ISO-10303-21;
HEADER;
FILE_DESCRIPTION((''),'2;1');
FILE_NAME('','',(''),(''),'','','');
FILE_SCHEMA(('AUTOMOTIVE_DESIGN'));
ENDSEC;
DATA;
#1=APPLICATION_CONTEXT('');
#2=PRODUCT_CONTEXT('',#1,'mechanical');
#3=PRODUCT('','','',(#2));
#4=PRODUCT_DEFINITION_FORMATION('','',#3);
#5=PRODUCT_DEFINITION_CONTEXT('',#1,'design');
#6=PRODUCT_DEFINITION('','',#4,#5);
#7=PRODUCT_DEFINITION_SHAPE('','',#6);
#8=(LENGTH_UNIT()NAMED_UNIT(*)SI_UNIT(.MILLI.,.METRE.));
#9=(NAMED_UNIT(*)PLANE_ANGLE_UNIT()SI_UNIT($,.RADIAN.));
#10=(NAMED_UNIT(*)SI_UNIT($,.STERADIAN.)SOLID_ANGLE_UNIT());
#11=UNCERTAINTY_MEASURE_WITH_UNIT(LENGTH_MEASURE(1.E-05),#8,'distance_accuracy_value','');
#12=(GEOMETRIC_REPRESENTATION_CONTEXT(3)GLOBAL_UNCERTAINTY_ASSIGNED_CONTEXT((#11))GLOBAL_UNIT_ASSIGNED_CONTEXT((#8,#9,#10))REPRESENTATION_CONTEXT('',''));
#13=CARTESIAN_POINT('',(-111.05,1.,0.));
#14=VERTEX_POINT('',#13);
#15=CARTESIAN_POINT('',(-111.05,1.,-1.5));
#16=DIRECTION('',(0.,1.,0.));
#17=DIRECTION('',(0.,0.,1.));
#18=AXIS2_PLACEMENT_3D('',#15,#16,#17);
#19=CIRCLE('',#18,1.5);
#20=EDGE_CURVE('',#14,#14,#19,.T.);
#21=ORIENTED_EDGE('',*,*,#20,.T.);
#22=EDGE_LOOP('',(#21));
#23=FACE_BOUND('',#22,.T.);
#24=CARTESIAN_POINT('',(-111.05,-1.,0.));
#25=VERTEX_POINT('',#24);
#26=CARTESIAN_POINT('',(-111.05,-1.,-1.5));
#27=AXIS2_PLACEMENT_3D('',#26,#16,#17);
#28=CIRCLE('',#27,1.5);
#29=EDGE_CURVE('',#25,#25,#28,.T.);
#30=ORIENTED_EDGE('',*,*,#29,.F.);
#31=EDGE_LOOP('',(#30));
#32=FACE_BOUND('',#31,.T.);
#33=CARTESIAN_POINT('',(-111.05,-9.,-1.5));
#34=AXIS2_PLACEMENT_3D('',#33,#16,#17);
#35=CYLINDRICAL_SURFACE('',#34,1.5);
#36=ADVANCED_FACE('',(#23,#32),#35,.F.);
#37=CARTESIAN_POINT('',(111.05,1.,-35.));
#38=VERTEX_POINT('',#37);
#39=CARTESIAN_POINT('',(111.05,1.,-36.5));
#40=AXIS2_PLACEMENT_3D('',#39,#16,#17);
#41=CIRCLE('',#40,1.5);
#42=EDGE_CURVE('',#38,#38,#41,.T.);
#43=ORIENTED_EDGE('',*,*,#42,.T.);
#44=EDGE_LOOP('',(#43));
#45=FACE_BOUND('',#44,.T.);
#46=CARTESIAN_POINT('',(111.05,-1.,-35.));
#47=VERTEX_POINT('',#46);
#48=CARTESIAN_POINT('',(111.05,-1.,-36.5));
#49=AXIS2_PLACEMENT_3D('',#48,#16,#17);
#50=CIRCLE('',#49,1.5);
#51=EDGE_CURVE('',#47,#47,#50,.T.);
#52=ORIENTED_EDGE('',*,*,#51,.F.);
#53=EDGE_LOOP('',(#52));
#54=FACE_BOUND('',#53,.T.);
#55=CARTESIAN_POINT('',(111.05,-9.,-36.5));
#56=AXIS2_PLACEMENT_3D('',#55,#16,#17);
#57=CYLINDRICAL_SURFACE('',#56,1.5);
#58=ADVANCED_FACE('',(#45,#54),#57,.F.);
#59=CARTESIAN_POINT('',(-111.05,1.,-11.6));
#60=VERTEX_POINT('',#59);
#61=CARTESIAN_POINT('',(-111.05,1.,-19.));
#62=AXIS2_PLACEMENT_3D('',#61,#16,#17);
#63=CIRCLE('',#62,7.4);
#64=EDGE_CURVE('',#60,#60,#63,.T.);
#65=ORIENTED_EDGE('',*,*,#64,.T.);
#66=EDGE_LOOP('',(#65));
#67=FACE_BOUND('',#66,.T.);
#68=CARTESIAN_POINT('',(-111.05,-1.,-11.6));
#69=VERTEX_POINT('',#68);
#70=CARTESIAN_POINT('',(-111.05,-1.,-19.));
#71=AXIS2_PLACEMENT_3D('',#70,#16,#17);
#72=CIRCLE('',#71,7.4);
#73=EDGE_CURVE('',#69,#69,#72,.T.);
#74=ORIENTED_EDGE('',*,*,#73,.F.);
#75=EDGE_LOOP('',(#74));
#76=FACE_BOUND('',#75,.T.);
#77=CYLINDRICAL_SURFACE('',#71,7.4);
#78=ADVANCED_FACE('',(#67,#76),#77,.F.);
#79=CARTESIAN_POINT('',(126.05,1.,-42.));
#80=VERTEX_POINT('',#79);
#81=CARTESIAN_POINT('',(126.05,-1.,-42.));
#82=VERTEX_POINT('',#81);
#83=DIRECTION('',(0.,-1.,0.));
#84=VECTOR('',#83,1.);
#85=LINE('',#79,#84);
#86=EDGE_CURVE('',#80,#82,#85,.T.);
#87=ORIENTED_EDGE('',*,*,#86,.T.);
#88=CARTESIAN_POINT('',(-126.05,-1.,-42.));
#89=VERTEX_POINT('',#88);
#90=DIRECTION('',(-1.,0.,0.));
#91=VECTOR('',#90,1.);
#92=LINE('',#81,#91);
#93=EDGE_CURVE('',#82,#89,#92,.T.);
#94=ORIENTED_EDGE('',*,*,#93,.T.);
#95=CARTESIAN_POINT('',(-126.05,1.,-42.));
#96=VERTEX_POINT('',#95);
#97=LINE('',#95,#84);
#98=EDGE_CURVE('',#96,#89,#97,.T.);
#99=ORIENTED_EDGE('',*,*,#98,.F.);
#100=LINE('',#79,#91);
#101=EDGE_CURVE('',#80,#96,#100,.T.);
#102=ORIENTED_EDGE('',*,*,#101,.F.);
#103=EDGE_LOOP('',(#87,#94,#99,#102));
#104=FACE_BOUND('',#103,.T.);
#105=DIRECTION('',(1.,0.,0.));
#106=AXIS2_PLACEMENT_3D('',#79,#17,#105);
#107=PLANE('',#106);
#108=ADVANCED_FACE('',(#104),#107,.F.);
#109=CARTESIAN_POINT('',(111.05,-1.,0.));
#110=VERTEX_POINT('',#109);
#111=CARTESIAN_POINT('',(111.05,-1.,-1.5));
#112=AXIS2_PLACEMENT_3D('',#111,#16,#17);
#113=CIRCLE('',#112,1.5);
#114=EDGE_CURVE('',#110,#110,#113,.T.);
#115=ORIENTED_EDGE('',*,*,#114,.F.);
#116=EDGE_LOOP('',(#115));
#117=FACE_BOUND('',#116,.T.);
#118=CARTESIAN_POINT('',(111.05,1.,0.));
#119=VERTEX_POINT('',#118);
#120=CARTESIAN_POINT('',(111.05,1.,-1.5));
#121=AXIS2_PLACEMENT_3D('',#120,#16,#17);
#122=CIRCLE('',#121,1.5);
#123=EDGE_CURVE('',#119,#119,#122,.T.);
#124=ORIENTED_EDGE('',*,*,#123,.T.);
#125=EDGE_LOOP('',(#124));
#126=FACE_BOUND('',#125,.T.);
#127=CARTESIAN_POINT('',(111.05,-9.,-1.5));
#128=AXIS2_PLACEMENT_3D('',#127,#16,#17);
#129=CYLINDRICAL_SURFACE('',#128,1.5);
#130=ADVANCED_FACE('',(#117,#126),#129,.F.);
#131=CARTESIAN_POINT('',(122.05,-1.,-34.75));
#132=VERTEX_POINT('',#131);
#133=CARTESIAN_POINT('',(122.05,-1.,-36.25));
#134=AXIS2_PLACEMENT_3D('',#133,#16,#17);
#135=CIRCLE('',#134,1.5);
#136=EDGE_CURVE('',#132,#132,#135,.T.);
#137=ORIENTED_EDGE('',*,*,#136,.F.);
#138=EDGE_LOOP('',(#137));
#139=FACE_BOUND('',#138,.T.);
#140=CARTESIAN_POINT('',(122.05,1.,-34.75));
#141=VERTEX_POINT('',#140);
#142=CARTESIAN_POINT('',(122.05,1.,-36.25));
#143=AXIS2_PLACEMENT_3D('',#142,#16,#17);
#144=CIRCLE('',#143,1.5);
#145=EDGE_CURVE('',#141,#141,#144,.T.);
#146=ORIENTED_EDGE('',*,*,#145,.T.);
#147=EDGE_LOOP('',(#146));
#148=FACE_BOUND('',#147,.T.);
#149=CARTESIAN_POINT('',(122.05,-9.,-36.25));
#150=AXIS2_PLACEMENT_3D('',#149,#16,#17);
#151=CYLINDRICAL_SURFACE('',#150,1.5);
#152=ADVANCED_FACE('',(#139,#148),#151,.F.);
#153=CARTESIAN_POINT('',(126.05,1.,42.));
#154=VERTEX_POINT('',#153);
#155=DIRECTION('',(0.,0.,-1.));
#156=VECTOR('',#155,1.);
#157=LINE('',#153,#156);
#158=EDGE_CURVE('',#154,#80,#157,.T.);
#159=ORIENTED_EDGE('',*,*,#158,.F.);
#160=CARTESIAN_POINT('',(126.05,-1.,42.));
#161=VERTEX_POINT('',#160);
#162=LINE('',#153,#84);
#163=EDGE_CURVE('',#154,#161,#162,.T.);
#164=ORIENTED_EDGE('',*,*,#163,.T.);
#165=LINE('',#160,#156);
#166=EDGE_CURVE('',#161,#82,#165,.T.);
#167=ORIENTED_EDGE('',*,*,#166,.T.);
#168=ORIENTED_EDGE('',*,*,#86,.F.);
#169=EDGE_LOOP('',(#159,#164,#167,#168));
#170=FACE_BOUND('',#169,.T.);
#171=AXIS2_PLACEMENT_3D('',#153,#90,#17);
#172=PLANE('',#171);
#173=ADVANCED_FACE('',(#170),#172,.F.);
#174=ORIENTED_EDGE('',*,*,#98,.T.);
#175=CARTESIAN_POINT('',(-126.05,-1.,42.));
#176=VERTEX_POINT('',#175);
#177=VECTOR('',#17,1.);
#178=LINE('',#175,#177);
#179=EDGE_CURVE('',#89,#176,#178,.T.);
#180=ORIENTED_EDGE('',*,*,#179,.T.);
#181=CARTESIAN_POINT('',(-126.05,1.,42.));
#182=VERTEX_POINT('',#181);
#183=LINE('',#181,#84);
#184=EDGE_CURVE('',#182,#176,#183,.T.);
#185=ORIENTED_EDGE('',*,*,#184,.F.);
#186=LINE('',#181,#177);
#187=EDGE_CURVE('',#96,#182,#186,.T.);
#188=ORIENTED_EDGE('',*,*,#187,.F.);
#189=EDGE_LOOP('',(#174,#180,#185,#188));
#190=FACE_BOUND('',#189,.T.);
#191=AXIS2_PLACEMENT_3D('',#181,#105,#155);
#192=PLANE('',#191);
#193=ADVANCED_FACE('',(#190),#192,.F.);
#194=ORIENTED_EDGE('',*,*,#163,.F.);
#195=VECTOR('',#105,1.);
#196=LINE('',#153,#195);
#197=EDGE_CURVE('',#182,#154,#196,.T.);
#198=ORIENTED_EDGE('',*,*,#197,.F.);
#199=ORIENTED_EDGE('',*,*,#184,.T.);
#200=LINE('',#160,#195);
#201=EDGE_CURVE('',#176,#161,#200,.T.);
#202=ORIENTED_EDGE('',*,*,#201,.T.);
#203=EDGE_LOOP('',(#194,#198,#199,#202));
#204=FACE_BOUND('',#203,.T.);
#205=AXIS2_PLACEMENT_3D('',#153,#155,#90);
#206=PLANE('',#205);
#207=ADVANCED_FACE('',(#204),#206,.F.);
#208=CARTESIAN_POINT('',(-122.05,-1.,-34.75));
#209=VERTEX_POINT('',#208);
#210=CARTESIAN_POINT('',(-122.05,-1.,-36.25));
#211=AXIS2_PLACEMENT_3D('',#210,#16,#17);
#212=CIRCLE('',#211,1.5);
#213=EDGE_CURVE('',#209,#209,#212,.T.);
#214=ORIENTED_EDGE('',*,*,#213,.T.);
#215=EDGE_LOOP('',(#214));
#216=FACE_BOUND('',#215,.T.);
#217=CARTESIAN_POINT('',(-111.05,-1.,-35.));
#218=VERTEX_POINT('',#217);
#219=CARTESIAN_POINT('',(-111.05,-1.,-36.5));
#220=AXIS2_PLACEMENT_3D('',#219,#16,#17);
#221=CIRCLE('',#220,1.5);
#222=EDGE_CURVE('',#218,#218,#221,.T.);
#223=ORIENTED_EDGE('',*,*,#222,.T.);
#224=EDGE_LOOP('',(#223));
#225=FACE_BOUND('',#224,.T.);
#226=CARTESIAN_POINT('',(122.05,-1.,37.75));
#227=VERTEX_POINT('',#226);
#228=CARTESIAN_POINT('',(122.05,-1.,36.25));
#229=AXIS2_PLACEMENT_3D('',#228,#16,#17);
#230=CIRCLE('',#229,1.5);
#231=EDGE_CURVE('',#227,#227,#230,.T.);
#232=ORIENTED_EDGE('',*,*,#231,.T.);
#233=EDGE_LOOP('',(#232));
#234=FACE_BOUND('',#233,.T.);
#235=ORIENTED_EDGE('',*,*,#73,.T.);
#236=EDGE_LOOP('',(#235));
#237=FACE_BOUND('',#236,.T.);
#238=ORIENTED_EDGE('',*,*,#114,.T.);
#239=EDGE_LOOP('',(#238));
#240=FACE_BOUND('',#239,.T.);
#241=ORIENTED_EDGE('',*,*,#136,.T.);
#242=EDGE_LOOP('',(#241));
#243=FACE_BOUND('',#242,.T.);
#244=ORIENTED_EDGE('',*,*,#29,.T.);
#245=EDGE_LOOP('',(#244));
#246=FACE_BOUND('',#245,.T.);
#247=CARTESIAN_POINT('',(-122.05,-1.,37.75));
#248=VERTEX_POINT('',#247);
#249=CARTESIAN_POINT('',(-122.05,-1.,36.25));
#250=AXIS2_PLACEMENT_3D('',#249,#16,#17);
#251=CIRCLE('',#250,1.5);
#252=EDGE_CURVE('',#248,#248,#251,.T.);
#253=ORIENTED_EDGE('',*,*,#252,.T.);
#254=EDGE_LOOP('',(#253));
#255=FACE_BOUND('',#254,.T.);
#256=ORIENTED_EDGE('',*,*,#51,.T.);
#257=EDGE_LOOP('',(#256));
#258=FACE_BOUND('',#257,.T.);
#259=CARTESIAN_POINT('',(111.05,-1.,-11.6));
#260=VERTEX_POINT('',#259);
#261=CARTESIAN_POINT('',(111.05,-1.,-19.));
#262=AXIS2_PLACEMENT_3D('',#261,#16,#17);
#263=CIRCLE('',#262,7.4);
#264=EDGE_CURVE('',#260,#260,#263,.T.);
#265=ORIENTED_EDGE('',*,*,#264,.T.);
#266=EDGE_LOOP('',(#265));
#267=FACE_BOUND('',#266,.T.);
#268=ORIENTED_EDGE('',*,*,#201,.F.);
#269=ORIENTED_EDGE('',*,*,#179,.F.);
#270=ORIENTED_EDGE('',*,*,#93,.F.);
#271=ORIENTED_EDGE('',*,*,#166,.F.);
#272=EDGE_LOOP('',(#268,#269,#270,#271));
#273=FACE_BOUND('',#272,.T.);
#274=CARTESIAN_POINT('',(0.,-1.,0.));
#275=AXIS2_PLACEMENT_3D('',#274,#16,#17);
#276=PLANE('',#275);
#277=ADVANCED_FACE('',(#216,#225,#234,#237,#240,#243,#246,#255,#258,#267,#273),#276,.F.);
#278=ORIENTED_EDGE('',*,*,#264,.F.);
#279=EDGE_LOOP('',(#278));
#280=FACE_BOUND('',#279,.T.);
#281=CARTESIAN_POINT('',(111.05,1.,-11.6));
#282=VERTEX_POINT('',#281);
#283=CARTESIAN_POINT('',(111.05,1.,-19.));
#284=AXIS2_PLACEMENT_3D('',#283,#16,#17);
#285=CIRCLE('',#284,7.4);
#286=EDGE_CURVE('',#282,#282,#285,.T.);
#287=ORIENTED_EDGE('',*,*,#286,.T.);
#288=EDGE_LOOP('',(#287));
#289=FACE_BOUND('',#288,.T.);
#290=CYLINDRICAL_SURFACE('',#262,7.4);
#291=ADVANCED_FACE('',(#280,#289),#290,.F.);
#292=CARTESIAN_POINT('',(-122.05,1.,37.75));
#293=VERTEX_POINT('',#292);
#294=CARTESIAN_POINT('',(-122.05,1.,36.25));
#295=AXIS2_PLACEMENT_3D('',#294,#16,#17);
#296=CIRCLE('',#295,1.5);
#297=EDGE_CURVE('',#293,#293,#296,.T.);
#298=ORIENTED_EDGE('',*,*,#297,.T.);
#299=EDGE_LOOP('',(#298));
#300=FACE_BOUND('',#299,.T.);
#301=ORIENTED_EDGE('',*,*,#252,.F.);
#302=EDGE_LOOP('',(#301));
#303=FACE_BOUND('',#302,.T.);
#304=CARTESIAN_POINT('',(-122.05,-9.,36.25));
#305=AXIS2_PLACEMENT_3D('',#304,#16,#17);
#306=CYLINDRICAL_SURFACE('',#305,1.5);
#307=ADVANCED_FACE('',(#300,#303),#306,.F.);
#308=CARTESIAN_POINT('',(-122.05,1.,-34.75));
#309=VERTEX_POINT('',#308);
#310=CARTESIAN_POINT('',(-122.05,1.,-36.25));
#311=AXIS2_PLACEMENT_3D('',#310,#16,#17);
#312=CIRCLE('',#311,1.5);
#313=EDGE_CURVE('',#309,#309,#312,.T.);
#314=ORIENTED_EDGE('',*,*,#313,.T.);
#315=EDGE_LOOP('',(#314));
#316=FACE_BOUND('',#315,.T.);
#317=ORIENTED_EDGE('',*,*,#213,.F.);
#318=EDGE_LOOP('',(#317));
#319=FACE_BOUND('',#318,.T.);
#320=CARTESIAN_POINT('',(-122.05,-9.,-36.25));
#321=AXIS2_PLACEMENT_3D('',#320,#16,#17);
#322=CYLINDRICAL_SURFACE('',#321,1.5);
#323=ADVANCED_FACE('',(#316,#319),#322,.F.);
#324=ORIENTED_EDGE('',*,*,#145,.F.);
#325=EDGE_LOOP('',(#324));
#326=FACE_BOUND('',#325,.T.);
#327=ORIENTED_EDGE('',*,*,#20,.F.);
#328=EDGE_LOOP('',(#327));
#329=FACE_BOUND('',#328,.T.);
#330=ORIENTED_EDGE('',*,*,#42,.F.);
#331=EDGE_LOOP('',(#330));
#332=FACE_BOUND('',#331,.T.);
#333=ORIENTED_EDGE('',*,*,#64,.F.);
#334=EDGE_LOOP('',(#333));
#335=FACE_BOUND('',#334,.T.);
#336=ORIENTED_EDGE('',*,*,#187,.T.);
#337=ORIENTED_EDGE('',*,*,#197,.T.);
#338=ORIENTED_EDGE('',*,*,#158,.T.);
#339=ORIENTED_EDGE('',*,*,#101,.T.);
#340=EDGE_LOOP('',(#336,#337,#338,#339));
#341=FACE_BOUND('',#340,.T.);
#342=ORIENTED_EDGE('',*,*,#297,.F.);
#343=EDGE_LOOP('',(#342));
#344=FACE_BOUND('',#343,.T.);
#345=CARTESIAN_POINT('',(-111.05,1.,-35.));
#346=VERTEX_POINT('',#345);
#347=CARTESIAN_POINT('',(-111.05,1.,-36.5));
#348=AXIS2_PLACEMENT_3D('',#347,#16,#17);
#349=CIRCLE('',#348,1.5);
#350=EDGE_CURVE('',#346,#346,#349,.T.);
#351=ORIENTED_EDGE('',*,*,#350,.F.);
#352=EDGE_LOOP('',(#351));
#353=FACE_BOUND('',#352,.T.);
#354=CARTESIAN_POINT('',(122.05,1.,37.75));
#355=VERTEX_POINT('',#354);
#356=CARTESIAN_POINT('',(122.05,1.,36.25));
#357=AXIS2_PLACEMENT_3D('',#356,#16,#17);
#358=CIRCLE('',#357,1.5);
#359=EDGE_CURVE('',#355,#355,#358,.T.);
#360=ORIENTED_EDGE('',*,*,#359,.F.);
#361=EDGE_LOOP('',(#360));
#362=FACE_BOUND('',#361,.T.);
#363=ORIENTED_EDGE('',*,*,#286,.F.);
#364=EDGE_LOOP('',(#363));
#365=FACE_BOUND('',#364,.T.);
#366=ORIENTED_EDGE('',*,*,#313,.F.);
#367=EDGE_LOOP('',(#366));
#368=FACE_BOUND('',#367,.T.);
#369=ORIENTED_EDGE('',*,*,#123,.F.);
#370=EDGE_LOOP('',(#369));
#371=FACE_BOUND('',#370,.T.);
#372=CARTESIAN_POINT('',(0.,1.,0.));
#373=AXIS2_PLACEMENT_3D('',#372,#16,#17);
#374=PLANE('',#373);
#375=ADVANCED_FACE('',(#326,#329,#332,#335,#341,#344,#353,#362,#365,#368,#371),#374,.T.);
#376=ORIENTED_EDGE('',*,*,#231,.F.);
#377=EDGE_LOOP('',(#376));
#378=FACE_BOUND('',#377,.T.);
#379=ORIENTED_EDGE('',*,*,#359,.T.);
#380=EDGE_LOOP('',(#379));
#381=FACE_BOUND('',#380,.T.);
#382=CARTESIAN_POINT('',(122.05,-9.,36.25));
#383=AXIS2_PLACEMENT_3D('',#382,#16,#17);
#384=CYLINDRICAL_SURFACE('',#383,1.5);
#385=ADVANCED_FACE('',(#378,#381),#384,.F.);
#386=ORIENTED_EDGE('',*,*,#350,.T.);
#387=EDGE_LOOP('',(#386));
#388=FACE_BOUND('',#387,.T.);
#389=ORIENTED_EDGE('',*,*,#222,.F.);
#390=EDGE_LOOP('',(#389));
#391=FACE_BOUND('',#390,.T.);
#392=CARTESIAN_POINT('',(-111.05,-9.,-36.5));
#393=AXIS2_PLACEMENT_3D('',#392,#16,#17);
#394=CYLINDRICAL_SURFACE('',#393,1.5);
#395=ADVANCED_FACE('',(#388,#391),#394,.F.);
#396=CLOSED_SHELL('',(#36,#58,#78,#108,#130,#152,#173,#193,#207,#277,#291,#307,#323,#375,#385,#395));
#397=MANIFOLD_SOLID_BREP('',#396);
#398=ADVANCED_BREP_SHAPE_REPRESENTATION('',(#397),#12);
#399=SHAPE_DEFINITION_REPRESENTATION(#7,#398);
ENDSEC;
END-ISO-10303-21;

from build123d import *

# Parameters (mm, degrees)
SKETCH_1_W         = 252.1
SKETCH_1_H         = 84
EXTRUDE_1_DEPTH    = 1
SKETCH1_R          = 1.5
CUT_EXTRUDE1_DEPTH = 10
SKETCH4_R          = 7.4
CUT_EXTRUDE3_DEPTH = 133.878149069
SKETCH5_R          = 1.5
CUT_EXTRUDE4_DEPTH = 10


with BuildPart() as part:
    # 草图1 → 凸台-拉伸1 (new, symmetric)
    with BuildSketch(Plane(origin=(0, 0, 0), x_dir=(1, 0, 0), z_dir=(0, 1, 0))):
        Rectangle(SKETCH_1_W, SKETCH_1_H)
    extrude(amount=EXTRUDE_1_DEPTH, both=True)

    # Sketch1 → Cut-Extrude1 (cut)
    with BuildSketch(Plane(origin=(0, 1, 0), x_dir=(1, 0, 0), z_dir=(0, 1, 0))):
        with Locations(Location((-122.05, 36.25, 0), (0, 0, 270))):
            Circle(SKETCH1_R)
        with Locations(Location((-122.05, -36.25, 0), (0, 0, 270))):
            Circle(SKETCH1_R)
        with Locations(Location((122.05, -36.25, 0), (0, 0, 270))):
            Circle(SKETCH1_R)
        with Locations(Location((122.05, 36.25, 0), (0, 0, 270))):
            Circle(SKETCH1_R)
    extrude(amount=-CUT_EXTRUDE1_DEPTH, mode=Mode.SUBTRACT)

    # Sketch4 → Cut-Extrude3 (cut, through all)
    with BuildSketch(Plane(origin=(0, 1, 0), x_dir=(1, 0, 0), z_dir=(0, 1, 0))):
        with Locations(Location((-111.05, 19, 0), (0, 0, 270))):
            Circle(SKETCH4_R)
        with Locations(Location((111.05, 19, 0), (0, 0, 270))):
            Circle(SKETCH4_R)
    extrude(amount=-CUT_EXTRUDE3_DEPTH, mode=Mode.SUBTRACT)

    # Sketch5 → Cut-Extrude4 (cut)
    with BuildSketch(Plane(origin=(0, 1, 0), x_dir=(1, 0, 0), z_dir=(0, 1, 0))):
        with Locations(Location((-111.05, 1.5, 0), (0, 0, 270))):
            Circle(SKETCH5_R)
        with Locations(Location((-111.05, 36.5, 0), (0, 0, 270))):
            Circle(SKETCH5_R)
        with Locations(Location((111.05, 1.5, 0), (0, 0, 270))):
            Circle(SKETCH5_R)
        with Locations(Location((111.05, 36.5, 0), (0, 0, 270))):
            Circle(SKETCH5_R)
    extrude(amount=-CUT_EXTRUDE4_DEPTH, mode=Mode.SUBTRACT)


solid = part.part
